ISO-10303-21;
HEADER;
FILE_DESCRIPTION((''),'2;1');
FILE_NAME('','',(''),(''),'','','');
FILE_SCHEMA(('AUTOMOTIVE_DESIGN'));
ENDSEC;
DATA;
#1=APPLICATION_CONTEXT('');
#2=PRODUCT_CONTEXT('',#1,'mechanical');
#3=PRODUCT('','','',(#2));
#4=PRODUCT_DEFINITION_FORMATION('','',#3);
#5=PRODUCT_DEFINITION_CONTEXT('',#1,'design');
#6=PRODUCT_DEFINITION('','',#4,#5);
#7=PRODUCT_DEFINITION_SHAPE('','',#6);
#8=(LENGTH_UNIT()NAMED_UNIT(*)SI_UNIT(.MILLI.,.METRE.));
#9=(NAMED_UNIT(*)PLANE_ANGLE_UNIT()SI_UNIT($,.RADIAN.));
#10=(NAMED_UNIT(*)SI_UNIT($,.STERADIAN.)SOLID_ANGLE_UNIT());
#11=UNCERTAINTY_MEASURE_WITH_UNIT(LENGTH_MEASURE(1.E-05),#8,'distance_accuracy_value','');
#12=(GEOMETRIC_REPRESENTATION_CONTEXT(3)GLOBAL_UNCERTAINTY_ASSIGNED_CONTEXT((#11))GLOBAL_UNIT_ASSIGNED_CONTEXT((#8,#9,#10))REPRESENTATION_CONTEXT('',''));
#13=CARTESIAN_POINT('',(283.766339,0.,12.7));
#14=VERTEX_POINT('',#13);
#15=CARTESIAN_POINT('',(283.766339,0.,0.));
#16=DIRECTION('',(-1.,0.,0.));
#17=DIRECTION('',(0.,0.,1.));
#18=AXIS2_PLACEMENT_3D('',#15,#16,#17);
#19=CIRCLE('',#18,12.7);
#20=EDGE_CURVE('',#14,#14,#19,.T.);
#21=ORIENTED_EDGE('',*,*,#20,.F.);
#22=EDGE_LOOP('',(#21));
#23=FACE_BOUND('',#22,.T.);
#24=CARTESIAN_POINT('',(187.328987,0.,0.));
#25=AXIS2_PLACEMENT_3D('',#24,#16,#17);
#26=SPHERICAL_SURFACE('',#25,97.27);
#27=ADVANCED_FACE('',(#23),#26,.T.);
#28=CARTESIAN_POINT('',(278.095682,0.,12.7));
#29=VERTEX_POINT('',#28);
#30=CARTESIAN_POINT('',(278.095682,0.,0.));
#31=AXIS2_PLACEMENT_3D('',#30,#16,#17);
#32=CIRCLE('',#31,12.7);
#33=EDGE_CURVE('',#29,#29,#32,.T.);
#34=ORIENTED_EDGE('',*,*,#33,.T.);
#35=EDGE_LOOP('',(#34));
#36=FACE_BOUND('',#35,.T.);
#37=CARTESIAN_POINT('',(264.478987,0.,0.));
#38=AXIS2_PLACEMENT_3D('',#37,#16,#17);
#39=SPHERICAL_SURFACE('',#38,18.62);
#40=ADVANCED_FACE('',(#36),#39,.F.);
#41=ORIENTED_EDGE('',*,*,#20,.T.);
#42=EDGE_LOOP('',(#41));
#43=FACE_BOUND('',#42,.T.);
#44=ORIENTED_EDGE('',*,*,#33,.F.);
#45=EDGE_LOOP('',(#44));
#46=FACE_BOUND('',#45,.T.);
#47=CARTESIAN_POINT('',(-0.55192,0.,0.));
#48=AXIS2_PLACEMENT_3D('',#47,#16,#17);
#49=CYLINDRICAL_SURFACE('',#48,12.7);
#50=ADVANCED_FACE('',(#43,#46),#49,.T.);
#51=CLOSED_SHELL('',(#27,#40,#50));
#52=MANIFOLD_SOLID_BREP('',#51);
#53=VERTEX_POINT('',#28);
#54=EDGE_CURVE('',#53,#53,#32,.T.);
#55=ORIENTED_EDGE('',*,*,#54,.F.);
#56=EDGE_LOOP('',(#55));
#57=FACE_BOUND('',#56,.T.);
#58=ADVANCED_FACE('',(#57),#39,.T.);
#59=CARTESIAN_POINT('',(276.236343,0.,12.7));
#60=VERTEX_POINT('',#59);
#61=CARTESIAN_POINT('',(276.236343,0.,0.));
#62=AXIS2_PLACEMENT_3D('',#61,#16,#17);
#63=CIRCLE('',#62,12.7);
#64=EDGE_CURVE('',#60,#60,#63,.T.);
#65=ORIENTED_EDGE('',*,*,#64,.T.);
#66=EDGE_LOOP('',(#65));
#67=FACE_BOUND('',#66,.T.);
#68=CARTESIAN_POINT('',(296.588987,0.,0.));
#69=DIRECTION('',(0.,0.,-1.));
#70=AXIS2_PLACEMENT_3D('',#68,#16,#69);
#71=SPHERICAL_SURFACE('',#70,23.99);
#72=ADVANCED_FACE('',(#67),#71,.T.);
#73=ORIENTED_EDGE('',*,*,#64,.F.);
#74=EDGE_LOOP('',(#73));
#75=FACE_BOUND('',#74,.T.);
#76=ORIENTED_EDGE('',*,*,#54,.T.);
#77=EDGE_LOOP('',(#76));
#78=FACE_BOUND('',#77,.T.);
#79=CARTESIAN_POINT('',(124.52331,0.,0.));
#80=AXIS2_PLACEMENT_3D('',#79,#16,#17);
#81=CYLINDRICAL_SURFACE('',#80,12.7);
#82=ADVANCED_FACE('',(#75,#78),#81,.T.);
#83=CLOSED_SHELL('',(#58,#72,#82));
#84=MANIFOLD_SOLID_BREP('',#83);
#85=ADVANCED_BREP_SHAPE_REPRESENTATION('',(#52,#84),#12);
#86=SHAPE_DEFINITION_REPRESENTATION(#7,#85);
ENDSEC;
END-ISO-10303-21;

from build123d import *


with BuildPart() as part:
    # 草图1 one side → 旋转1 (revolve)
    with BuildSketch(Plane(origin=(0, 0, 0), x_dir=(1, 0, 0), z_dir=(0, 1, 0)), mode=Mode.PRIVATE) as revolve_1_sk:
        with BuildLine():
            ThreePointArc((276.236342992, 12.7), (273.526245834, 6.605307749), (272.598986555, 0))
            Line((272.598986555, 0), (283.098986555, 0))
            ThreePointArc((283.098986555, 0), (281.803063337, 6.825010157), (278.095682189, 12.7))
            Line((278.095682189, 12.7), (276.236342992, 12.7))
        make_face()
    revolve(revolve_1_sk.sketch.rotate(Axis((124.523309526, 0, 0), (1, 0, 0)), 180), axis=Axis((124.523309526, 0, 0), (1, 0, 0)))  # turned: the seam where the file's is


with BuildPart() as body_2:
    # 草图2 one side → 旋转3 (revolve)
    with BuildSketch(Plane(origin=(0, 0, 0), x_dir=(1, 0, 0), z_dir=(0, 1, 0)), mode=Mode.PRIVATE) as revolve_3_sk:
        with BuildLine():
            Line((283.766338758, 12.7), (278.095682189, 12.7))
            ThreePointArc((278.095682189, 12.7), (281.803063337, 6.825010157), (283.098986555, 0))
            Line((283.098986555, 0), (284.598986555, 0))
            ThreePointArc((284.598986555, 0), (284.39060139, 6.363633049), (283.766338758, 12.7))
        make_face()
    revolve(revolve_3_sk.sketch.rotate(Axis((-0.551919993, 0, 0), (1, 0, 0)), 180), axis=Axis((-0.551919993, 0, 0), (1, 0, 0)))  # turned: the seam where the file's is


solid = Compound([part.part, body_2.part])
